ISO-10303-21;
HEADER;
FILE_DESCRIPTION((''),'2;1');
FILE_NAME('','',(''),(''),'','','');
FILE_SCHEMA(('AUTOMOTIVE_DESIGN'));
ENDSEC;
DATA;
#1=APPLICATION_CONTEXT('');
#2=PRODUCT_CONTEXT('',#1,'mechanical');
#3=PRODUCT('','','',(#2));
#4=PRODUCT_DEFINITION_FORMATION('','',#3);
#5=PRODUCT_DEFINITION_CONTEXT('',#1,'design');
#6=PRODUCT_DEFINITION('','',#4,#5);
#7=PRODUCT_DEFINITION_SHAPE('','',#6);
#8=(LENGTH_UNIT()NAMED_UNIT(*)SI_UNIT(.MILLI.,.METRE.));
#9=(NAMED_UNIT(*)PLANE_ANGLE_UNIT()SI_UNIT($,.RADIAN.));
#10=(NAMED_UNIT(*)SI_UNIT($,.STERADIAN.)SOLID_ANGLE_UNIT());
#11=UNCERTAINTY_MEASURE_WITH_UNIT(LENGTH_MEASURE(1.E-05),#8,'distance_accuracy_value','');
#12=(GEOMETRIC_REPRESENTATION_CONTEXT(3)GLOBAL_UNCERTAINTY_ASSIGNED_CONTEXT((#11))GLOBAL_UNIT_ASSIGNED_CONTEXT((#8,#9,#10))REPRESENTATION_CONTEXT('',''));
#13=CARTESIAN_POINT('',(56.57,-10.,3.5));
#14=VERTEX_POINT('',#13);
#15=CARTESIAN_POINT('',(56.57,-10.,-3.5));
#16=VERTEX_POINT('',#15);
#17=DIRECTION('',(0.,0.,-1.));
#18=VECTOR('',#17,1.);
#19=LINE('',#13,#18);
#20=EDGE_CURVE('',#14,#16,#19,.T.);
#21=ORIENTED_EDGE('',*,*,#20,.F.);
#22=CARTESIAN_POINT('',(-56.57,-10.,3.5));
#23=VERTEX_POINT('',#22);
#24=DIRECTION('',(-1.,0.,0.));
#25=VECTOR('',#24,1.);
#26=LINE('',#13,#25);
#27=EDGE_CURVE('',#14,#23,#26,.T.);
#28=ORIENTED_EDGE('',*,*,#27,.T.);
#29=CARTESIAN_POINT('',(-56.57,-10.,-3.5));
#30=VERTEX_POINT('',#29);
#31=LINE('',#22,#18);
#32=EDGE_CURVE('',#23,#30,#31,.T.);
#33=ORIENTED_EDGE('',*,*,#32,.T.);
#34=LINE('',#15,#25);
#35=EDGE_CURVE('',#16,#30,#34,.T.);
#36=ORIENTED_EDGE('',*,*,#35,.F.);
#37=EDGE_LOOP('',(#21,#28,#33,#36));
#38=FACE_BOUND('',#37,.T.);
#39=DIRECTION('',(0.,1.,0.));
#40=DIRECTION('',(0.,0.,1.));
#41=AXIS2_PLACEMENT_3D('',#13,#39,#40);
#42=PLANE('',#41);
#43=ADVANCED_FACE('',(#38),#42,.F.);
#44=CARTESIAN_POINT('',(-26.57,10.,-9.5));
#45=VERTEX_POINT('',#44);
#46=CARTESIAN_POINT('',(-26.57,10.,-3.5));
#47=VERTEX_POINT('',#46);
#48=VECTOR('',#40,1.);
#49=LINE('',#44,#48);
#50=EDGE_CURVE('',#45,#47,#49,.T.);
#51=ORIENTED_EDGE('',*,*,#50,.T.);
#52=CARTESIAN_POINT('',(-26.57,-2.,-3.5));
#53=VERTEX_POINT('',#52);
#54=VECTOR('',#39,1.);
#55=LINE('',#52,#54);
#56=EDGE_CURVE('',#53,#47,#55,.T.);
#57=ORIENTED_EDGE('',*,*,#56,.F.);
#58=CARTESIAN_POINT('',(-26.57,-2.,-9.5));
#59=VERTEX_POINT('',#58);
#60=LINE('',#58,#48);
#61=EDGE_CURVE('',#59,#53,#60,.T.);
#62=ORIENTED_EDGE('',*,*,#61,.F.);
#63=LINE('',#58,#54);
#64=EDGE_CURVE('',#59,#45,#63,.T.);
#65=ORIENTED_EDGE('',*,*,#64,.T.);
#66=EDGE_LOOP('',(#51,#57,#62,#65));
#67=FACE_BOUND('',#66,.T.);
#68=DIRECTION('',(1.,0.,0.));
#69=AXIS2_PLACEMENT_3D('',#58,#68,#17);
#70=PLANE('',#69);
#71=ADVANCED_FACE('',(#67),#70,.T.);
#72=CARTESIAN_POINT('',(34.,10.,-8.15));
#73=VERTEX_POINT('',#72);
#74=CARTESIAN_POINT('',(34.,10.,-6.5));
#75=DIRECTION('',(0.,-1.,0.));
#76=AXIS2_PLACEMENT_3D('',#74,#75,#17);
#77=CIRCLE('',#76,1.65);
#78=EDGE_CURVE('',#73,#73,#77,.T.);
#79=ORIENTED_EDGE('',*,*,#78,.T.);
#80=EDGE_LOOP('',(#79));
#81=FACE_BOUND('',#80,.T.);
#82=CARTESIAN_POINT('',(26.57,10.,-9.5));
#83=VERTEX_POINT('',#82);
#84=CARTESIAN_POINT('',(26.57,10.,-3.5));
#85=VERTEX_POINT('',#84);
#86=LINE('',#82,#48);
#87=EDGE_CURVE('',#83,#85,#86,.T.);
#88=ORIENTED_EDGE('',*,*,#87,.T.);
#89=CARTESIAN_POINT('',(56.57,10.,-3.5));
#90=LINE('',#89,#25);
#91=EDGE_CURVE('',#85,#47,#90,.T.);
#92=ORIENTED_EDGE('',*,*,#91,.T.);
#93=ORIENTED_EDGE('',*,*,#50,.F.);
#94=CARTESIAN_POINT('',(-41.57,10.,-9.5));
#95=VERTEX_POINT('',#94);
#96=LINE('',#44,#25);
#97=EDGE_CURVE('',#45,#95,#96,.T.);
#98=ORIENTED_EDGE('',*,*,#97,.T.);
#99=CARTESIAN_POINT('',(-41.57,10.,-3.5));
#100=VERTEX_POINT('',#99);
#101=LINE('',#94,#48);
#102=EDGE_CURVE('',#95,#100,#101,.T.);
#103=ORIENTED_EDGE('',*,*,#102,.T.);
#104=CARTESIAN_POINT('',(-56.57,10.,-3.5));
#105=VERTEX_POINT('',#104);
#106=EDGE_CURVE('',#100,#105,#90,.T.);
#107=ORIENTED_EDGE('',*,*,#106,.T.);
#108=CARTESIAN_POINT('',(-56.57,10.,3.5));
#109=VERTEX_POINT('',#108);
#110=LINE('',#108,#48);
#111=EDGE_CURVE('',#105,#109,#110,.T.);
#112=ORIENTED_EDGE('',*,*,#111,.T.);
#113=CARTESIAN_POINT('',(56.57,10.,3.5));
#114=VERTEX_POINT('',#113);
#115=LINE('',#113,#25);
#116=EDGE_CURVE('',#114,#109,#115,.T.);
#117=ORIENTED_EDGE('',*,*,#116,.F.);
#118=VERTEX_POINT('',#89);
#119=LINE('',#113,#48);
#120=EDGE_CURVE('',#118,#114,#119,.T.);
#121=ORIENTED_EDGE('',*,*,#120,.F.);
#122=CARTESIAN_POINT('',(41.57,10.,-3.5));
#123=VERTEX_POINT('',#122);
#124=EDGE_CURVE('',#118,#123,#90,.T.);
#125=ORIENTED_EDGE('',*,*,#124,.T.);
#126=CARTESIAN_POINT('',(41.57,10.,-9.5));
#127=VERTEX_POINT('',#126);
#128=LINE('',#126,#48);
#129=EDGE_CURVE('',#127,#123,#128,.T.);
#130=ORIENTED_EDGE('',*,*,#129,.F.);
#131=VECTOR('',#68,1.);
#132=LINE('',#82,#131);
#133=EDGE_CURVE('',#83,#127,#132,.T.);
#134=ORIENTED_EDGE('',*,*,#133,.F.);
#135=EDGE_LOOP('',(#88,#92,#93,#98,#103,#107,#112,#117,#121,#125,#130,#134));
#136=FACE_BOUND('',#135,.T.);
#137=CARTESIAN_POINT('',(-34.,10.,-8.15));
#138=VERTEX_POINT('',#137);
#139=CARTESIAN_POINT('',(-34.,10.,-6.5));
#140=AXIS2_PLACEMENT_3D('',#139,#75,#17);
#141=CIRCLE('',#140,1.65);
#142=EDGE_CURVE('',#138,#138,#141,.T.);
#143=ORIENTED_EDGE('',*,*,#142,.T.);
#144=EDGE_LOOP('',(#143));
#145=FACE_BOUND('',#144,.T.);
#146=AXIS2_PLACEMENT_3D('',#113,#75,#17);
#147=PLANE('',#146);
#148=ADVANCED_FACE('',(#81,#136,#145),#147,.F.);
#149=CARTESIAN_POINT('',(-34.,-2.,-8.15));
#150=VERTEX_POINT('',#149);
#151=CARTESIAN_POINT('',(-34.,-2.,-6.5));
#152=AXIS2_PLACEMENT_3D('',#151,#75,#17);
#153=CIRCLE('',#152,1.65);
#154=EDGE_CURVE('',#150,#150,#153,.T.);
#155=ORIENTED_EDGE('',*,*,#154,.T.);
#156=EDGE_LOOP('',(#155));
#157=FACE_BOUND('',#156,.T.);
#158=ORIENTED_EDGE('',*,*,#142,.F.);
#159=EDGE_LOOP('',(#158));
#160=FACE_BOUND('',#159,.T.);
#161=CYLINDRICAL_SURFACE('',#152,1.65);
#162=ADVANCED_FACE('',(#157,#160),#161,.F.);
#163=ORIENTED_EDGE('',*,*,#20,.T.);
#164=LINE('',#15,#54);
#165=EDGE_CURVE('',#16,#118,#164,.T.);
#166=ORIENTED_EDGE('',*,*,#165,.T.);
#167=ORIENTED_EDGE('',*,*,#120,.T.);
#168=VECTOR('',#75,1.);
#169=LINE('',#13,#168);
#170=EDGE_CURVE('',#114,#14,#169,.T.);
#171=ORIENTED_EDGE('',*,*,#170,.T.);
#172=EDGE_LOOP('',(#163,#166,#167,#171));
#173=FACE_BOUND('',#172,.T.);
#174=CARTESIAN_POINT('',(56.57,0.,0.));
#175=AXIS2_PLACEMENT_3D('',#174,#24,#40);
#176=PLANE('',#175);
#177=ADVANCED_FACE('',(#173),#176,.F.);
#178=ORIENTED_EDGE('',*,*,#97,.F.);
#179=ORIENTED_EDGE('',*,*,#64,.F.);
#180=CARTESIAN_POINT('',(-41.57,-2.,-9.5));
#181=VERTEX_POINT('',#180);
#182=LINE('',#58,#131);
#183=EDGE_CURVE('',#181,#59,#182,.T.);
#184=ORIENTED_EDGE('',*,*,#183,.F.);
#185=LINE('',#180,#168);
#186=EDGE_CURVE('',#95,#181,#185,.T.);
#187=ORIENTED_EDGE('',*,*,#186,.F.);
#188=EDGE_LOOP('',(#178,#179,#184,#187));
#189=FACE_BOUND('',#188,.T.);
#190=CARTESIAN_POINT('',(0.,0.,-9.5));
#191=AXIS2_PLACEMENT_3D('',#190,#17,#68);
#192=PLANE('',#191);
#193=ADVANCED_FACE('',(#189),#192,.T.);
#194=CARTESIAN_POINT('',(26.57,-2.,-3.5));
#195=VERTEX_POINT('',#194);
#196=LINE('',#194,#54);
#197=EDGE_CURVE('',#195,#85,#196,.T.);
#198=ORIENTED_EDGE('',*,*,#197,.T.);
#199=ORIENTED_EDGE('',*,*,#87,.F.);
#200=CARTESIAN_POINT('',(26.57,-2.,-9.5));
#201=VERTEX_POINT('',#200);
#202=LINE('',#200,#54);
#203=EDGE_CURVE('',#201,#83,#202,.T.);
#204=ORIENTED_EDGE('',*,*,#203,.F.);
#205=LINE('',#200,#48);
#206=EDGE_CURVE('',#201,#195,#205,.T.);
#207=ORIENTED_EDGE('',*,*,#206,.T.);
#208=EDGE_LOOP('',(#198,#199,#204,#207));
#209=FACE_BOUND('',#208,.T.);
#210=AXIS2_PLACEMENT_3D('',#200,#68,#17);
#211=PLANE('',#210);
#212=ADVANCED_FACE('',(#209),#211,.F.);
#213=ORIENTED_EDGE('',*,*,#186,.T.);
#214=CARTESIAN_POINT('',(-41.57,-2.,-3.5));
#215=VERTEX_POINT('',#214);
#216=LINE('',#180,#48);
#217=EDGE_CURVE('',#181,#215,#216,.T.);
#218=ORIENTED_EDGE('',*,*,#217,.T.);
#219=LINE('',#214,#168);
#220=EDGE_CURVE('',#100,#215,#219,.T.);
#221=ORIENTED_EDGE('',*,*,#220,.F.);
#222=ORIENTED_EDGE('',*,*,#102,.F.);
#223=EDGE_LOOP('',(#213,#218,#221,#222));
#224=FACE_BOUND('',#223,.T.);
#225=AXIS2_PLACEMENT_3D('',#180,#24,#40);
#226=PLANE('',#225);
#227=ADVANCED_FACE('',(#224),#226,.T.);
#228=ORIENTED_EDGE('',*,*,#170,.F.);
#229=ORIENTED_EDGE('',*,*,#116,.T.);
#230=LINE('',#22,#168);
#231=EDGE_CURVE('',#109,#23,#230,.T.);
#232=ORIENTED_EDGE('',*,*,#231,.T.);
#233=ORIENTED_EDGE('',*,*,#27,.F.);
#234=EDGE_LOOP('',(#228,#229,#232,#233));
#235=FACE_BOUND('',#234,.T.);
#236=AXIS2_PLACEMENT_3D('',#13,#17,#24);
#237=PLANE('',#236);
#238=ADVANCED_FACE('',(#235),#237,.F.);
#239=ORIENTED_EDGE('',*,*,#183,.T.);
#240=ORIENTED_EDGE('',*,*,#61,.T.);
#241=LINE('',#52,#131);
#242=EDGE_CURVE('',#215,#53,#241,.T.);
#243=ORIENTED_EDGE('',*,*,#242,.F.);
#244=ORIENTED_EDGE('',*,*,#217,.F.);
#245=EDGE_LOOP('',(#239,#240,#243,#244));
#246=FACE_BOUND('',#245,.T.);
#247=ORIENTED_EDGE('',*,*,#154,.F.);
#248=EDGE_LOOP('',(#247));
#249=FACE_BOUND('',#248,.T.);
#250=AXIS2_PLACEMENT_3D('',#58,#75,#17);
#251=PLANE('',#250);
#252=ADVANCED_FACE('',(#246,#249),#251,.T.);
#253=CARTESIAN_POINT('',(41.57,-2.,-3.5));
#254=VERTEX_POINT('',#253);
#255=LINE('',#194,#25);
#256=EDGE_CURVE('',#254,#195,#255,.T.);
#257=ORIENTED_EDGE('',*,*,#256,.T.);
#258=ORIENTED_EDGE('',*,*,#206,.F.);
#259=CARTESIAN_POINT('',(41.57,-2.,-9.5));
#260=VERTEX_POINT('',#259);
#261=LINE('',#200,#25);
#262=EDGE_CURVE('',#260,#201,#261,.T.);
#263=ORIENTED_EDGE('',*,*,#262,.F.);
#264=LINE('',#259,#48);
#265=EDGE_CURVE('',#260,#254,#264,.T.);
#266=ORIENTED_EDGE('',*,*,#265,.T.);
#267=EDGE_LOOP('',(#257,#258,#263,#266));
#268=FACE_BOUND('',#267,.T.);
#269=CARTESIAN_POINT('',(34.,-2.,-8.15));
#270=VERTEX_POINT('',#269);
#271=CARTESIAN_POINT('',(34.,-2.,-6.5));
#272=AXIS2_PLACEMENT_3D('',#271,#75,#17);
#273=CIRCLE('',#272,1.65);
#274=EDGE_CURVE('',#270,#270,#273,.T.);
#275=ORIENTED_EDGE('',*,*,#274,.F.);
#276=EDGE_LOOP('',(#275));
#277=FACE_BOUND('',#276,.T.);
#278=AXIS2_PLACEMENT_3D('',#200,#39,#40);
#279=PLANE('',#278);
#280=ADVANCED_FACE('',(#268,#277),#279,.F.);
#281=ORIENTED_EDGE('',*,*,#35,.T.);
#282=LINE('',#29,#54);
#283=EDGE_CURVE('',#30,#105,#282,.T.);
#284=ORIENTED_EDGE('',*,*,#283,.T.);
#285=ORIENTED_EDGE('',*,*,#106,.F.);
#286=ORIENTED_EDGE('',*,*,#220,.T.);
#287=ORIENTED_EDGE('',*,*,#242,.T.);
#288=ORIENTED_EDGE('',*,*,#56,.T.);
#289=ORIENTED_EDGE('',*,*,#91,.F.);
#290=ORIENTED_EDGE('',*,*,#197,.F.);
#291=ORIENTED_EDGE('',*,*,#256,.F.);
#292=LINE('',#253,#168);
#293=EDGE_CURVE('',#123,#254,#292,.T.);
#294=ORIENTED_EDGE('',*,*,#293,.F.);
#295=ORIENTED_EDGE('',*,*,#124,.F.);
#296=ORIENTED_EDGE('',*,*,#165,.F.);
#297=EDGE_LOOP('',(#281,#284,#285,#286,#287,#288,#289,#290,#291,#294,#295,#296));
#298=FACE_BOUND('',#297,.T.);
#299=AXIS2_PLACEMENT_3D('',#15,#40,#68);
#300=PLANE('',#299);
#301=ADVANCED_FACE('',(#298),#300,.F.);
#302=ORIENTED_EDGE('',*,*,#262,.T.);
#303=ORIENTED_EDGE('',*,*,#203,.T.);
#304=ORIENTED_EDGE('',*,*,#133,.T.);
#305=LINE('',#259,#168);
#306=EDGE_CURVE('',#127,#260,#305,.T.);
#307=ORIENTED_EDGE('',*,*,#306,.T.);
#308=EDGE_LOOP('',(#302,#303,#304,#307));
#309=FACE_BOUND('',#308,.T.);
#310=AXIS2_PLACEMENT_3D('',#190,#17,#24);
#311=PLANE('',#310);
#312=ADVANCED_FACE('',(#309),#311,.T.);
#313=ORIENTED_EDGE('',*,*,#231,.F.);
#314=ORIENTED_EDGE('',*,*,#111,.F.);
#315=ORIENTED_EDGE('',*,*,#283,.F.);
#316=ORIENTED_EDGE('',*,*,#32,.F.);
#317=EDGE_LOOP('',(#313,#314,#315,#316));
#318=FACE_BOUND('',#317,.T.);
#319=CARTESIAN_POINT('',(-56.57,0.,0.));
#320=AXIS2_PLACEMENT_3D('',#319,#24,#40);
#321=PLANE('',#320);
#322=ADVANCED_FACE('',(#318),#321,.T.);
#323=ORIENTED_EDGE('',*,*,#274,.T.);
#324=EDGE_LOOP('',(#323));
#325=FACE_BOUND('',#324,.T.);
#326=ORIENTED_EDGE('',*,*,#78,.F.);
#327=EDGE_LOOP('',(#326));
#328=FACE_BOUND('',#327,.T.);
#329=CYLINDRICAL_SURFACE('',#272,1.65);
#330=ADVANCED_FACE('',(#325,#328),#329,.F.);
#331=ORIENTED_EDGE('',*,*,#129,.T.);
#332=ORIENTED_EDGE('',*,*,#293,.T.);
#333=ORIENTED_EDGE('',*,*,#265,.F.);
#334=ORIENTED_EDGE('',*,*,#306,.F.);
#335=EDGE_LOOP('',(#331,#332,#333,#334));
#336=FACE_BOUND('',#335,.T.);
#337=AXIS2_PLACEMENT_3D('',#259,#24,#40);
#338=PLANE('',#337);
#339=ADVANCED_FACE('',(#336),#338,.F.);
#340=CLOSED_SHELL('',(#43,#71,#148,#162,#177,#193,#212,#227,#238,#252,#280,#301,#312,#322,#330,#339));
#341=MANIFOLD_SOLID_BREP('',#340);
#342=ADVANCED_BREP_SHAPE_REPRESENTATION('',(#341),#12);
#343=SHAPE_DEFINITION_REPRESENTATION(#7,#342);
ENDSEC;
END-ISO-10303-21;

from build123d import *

# Parameters (mm, degrees)
SKETCH_1_W         = 7
SKETCH_1_H         = 20
EXTRUDE_1_DEPTH    = 56.57
SKETCH_2_W         = 15
SKETCH_2_H         = 12
EXTRUDE_2_DEPTH    = 6
HOLE_WIZARD_M4_1_D = 3.3


with BuildPart() as part:
    # 草图1 → 凸台-拉伸1 (new, symmetric)
    with BuildSketch(Plane(origin=(0, 0, 0), x_dir=(0, 0, -1), z_dir=(1, 0, 0))):
        Rectangle(SKETCH_1_W, SKETCH_1_H)
    extrude(amount=EXTRUDE_1_DEPTH, both=True)

    # 草图2 → 凸台-拉伸2 (add)
    with BuildSketch(Plane(origin=(0, 0, -3.5), x_dir=(-1, 0, 0), z_dir=(0, 0, -1))):
        with Locations((-34.07, 4)):
            Rectangle(SKETCH_2_W, SKETCH_2_H)
    extrude_2 = extrude(amount=EXTRUDE_2_DEPTH)

    # 镜向1: 凸台-拉伸2 across plane
    add(extrude_2.mirror(Plane(origin=(0, 0, 0), x_dir=(0, 0, 1), z_dir=(1, 0, 0))))

    # M4 螺纹孔1 (through all)
    with Locations(Plane(origin=(0, -2, 0), x_dir=(-1, 0, 0), z_dir=(0, -1, 0))):
        with Locations((34, 6.5), (-34, 6.5)):
            Hole(HOLE_WIZARD_M4_1_D / 2)


solid = part.part
